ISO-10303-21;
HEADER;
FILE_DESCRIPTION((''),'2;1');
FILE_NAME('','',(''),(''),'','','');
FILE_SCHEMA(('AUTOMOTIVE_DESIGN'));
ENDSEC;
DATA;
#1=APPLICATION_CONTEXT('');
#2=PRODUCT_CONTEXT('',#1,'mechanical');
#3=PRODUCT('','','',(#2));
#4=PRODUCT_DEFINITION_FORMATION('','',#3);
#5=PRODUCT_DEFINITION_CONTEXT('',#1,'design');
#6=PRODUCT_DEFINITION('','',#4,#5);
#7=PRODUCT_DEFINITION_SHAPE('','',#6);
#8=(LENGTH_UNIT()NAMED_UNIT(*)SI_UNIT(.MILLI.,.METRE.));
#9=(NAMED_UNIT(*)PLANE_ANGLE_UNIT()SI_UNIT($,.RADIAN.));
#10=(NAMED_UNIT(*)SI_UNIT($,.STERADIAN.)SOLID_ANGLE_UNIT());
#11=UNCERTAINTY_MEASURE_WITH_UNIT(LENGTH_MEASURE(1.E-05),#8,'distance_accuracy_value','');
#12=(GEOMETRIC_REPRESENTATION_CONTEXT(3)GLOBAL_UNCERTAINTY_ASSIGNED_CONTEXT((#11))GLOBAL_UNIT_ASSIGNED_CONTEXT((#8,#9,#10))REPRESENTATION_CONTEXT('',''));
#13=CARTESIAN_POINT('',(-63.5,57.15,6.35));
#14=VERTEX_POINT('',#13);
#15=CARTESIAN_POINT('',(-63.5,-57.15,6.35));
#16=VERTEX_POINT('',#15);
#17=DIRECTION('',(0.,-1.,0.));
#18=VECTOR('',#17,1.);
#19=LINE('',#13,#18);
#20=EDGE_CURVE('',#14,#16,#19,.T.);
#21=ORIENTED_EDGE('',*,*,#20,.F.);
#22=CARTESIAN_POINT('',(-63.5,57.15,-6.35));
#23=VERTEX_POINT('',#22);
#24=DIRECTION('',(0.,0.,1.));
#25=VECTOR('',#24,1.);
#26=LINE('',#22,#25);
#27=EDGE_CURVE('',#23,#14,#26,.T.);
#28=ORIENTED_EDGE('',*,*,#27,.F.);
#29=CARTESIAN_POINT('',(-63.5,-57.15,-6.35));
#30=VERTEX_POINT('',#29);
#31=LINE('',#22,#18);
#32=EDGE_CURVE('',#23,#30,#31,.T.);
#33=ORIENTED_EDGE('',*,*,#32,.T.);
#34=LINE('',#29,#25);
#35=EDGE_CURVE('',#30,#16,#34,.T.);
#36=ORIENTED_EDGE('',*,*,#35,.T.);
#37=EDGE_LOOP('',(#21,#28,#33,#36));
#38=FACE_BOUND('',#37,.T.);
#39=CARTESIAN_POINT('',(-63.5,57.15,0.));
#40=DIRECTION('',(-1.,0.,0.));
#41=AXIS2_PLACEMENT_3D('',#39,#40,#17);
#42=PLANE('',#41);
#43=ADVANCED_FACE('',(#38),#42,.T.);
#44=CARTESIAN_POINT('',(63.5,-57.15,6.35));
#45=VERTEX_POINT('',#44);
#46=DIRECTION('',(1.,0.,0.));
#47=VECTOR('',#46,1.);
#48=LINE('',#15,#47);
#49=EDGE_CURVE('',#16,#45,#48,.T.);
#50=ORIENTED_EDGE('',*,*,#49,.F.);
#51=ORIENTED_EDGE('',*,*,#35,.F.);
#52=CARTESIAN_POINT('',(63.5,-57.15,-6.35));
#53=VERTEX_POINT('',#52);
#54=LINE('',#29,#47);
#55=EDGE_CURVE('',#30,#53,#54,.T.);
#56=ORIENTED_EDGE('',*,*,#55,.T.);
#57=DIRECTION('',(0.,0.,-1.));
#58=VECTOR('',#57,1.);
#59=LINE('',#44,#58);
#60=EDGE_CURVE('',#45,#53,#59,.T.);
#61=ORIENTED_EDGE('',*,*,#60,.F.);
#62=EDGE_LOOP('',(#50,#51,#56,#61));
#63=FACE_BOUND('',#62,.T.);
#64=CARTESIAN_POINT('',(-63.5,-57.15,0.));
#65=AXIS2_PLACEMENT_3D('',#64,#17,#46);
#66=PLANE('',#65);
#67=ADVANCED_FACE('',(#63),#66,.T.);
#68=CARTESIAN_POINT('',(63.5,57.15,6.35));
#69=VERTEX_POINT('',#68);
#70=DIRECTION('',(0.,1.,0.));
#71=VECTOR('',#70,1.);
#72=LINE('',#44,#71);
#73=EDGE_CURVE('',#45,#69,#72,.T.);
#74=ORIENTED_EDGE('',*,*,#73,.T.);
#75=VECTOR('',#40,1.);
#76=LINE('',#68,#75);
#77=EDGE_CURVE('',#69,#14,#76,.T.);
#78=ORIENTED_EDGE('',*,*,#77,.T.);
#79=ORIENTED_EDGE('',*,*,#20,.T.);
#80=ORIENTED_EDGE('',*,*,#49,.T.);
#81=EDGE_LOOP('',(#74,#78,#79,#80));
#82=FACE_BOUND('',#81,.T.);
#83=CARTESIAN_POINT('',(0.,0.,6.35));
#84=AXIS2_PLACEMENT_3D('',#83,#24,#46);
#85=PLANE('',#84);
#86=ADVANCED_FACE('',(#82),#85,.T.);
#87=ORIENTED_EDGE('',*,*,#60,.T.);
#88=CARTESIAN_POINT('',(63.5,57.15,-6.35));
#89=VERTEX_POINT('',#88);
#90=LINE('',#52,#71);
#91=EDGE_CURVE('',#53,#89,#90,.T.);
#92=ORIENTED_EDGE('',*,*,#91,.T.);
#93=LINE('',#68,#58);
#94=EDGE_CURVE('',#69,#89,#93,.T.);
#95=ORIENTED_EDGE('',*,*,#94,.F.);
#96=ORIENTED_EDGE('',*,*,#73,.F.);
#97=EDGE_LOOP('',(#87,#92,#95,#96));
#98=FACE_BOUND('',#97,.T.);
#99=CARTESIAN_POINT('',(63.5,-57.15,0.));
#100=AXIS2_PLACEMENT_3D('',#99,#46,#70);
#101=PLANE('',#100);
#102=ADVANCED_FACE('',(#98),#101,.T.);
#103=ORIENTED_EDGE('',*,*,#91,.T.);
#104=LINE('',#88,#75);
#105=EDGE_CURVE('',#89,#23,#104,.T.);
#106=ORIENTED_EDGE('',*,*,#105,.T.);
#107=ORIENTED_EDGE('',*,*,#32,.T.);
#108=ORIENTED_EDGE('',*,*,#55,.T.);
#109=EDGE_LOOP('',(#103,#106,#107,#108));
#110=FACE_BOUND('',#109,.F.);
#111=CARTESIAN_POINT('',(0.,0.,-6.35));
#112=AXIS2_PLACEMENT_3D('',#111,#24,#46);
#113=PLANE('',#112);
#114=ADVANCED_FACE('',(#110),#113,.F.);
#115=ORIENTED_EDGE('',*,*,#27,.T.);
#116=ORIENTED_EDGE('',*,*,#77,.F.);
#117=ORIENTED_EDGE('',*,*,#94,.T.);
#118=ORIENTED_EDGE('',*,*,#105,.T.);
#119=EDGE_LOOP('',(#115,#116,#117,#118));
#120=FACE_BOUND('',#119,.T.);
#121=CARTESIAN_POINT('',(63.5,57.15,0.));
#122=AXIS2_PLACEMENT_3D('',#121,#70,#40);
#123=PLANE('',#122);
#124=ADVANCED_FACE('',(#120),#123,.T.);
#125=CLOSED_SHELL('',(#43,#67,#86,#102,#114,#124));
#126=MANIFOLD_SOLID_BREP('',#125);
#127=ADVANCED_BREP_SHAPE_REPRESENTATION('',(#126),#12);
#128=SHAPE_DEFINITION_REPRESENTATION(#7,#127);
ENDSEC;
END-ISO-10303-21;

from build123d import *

# Parameters (mm, degrees)
F1_DEPTH = 6.35


with BuildPart() as f1:
    # F0 (on Top) → F1 (new body, symmetric)
    with BuildSketch(Plane.XY):
        Polygon((63.5, 57.15), (0, 57.15), (-63.5, 57.15), (-63.5, 0), (-63.5, -57.15), (0, -57.15), (63.5, -57.15), (63.5, 0), align=None)
    extrude(amount=F1_DEPTH, both=True)


solid = f1.part
